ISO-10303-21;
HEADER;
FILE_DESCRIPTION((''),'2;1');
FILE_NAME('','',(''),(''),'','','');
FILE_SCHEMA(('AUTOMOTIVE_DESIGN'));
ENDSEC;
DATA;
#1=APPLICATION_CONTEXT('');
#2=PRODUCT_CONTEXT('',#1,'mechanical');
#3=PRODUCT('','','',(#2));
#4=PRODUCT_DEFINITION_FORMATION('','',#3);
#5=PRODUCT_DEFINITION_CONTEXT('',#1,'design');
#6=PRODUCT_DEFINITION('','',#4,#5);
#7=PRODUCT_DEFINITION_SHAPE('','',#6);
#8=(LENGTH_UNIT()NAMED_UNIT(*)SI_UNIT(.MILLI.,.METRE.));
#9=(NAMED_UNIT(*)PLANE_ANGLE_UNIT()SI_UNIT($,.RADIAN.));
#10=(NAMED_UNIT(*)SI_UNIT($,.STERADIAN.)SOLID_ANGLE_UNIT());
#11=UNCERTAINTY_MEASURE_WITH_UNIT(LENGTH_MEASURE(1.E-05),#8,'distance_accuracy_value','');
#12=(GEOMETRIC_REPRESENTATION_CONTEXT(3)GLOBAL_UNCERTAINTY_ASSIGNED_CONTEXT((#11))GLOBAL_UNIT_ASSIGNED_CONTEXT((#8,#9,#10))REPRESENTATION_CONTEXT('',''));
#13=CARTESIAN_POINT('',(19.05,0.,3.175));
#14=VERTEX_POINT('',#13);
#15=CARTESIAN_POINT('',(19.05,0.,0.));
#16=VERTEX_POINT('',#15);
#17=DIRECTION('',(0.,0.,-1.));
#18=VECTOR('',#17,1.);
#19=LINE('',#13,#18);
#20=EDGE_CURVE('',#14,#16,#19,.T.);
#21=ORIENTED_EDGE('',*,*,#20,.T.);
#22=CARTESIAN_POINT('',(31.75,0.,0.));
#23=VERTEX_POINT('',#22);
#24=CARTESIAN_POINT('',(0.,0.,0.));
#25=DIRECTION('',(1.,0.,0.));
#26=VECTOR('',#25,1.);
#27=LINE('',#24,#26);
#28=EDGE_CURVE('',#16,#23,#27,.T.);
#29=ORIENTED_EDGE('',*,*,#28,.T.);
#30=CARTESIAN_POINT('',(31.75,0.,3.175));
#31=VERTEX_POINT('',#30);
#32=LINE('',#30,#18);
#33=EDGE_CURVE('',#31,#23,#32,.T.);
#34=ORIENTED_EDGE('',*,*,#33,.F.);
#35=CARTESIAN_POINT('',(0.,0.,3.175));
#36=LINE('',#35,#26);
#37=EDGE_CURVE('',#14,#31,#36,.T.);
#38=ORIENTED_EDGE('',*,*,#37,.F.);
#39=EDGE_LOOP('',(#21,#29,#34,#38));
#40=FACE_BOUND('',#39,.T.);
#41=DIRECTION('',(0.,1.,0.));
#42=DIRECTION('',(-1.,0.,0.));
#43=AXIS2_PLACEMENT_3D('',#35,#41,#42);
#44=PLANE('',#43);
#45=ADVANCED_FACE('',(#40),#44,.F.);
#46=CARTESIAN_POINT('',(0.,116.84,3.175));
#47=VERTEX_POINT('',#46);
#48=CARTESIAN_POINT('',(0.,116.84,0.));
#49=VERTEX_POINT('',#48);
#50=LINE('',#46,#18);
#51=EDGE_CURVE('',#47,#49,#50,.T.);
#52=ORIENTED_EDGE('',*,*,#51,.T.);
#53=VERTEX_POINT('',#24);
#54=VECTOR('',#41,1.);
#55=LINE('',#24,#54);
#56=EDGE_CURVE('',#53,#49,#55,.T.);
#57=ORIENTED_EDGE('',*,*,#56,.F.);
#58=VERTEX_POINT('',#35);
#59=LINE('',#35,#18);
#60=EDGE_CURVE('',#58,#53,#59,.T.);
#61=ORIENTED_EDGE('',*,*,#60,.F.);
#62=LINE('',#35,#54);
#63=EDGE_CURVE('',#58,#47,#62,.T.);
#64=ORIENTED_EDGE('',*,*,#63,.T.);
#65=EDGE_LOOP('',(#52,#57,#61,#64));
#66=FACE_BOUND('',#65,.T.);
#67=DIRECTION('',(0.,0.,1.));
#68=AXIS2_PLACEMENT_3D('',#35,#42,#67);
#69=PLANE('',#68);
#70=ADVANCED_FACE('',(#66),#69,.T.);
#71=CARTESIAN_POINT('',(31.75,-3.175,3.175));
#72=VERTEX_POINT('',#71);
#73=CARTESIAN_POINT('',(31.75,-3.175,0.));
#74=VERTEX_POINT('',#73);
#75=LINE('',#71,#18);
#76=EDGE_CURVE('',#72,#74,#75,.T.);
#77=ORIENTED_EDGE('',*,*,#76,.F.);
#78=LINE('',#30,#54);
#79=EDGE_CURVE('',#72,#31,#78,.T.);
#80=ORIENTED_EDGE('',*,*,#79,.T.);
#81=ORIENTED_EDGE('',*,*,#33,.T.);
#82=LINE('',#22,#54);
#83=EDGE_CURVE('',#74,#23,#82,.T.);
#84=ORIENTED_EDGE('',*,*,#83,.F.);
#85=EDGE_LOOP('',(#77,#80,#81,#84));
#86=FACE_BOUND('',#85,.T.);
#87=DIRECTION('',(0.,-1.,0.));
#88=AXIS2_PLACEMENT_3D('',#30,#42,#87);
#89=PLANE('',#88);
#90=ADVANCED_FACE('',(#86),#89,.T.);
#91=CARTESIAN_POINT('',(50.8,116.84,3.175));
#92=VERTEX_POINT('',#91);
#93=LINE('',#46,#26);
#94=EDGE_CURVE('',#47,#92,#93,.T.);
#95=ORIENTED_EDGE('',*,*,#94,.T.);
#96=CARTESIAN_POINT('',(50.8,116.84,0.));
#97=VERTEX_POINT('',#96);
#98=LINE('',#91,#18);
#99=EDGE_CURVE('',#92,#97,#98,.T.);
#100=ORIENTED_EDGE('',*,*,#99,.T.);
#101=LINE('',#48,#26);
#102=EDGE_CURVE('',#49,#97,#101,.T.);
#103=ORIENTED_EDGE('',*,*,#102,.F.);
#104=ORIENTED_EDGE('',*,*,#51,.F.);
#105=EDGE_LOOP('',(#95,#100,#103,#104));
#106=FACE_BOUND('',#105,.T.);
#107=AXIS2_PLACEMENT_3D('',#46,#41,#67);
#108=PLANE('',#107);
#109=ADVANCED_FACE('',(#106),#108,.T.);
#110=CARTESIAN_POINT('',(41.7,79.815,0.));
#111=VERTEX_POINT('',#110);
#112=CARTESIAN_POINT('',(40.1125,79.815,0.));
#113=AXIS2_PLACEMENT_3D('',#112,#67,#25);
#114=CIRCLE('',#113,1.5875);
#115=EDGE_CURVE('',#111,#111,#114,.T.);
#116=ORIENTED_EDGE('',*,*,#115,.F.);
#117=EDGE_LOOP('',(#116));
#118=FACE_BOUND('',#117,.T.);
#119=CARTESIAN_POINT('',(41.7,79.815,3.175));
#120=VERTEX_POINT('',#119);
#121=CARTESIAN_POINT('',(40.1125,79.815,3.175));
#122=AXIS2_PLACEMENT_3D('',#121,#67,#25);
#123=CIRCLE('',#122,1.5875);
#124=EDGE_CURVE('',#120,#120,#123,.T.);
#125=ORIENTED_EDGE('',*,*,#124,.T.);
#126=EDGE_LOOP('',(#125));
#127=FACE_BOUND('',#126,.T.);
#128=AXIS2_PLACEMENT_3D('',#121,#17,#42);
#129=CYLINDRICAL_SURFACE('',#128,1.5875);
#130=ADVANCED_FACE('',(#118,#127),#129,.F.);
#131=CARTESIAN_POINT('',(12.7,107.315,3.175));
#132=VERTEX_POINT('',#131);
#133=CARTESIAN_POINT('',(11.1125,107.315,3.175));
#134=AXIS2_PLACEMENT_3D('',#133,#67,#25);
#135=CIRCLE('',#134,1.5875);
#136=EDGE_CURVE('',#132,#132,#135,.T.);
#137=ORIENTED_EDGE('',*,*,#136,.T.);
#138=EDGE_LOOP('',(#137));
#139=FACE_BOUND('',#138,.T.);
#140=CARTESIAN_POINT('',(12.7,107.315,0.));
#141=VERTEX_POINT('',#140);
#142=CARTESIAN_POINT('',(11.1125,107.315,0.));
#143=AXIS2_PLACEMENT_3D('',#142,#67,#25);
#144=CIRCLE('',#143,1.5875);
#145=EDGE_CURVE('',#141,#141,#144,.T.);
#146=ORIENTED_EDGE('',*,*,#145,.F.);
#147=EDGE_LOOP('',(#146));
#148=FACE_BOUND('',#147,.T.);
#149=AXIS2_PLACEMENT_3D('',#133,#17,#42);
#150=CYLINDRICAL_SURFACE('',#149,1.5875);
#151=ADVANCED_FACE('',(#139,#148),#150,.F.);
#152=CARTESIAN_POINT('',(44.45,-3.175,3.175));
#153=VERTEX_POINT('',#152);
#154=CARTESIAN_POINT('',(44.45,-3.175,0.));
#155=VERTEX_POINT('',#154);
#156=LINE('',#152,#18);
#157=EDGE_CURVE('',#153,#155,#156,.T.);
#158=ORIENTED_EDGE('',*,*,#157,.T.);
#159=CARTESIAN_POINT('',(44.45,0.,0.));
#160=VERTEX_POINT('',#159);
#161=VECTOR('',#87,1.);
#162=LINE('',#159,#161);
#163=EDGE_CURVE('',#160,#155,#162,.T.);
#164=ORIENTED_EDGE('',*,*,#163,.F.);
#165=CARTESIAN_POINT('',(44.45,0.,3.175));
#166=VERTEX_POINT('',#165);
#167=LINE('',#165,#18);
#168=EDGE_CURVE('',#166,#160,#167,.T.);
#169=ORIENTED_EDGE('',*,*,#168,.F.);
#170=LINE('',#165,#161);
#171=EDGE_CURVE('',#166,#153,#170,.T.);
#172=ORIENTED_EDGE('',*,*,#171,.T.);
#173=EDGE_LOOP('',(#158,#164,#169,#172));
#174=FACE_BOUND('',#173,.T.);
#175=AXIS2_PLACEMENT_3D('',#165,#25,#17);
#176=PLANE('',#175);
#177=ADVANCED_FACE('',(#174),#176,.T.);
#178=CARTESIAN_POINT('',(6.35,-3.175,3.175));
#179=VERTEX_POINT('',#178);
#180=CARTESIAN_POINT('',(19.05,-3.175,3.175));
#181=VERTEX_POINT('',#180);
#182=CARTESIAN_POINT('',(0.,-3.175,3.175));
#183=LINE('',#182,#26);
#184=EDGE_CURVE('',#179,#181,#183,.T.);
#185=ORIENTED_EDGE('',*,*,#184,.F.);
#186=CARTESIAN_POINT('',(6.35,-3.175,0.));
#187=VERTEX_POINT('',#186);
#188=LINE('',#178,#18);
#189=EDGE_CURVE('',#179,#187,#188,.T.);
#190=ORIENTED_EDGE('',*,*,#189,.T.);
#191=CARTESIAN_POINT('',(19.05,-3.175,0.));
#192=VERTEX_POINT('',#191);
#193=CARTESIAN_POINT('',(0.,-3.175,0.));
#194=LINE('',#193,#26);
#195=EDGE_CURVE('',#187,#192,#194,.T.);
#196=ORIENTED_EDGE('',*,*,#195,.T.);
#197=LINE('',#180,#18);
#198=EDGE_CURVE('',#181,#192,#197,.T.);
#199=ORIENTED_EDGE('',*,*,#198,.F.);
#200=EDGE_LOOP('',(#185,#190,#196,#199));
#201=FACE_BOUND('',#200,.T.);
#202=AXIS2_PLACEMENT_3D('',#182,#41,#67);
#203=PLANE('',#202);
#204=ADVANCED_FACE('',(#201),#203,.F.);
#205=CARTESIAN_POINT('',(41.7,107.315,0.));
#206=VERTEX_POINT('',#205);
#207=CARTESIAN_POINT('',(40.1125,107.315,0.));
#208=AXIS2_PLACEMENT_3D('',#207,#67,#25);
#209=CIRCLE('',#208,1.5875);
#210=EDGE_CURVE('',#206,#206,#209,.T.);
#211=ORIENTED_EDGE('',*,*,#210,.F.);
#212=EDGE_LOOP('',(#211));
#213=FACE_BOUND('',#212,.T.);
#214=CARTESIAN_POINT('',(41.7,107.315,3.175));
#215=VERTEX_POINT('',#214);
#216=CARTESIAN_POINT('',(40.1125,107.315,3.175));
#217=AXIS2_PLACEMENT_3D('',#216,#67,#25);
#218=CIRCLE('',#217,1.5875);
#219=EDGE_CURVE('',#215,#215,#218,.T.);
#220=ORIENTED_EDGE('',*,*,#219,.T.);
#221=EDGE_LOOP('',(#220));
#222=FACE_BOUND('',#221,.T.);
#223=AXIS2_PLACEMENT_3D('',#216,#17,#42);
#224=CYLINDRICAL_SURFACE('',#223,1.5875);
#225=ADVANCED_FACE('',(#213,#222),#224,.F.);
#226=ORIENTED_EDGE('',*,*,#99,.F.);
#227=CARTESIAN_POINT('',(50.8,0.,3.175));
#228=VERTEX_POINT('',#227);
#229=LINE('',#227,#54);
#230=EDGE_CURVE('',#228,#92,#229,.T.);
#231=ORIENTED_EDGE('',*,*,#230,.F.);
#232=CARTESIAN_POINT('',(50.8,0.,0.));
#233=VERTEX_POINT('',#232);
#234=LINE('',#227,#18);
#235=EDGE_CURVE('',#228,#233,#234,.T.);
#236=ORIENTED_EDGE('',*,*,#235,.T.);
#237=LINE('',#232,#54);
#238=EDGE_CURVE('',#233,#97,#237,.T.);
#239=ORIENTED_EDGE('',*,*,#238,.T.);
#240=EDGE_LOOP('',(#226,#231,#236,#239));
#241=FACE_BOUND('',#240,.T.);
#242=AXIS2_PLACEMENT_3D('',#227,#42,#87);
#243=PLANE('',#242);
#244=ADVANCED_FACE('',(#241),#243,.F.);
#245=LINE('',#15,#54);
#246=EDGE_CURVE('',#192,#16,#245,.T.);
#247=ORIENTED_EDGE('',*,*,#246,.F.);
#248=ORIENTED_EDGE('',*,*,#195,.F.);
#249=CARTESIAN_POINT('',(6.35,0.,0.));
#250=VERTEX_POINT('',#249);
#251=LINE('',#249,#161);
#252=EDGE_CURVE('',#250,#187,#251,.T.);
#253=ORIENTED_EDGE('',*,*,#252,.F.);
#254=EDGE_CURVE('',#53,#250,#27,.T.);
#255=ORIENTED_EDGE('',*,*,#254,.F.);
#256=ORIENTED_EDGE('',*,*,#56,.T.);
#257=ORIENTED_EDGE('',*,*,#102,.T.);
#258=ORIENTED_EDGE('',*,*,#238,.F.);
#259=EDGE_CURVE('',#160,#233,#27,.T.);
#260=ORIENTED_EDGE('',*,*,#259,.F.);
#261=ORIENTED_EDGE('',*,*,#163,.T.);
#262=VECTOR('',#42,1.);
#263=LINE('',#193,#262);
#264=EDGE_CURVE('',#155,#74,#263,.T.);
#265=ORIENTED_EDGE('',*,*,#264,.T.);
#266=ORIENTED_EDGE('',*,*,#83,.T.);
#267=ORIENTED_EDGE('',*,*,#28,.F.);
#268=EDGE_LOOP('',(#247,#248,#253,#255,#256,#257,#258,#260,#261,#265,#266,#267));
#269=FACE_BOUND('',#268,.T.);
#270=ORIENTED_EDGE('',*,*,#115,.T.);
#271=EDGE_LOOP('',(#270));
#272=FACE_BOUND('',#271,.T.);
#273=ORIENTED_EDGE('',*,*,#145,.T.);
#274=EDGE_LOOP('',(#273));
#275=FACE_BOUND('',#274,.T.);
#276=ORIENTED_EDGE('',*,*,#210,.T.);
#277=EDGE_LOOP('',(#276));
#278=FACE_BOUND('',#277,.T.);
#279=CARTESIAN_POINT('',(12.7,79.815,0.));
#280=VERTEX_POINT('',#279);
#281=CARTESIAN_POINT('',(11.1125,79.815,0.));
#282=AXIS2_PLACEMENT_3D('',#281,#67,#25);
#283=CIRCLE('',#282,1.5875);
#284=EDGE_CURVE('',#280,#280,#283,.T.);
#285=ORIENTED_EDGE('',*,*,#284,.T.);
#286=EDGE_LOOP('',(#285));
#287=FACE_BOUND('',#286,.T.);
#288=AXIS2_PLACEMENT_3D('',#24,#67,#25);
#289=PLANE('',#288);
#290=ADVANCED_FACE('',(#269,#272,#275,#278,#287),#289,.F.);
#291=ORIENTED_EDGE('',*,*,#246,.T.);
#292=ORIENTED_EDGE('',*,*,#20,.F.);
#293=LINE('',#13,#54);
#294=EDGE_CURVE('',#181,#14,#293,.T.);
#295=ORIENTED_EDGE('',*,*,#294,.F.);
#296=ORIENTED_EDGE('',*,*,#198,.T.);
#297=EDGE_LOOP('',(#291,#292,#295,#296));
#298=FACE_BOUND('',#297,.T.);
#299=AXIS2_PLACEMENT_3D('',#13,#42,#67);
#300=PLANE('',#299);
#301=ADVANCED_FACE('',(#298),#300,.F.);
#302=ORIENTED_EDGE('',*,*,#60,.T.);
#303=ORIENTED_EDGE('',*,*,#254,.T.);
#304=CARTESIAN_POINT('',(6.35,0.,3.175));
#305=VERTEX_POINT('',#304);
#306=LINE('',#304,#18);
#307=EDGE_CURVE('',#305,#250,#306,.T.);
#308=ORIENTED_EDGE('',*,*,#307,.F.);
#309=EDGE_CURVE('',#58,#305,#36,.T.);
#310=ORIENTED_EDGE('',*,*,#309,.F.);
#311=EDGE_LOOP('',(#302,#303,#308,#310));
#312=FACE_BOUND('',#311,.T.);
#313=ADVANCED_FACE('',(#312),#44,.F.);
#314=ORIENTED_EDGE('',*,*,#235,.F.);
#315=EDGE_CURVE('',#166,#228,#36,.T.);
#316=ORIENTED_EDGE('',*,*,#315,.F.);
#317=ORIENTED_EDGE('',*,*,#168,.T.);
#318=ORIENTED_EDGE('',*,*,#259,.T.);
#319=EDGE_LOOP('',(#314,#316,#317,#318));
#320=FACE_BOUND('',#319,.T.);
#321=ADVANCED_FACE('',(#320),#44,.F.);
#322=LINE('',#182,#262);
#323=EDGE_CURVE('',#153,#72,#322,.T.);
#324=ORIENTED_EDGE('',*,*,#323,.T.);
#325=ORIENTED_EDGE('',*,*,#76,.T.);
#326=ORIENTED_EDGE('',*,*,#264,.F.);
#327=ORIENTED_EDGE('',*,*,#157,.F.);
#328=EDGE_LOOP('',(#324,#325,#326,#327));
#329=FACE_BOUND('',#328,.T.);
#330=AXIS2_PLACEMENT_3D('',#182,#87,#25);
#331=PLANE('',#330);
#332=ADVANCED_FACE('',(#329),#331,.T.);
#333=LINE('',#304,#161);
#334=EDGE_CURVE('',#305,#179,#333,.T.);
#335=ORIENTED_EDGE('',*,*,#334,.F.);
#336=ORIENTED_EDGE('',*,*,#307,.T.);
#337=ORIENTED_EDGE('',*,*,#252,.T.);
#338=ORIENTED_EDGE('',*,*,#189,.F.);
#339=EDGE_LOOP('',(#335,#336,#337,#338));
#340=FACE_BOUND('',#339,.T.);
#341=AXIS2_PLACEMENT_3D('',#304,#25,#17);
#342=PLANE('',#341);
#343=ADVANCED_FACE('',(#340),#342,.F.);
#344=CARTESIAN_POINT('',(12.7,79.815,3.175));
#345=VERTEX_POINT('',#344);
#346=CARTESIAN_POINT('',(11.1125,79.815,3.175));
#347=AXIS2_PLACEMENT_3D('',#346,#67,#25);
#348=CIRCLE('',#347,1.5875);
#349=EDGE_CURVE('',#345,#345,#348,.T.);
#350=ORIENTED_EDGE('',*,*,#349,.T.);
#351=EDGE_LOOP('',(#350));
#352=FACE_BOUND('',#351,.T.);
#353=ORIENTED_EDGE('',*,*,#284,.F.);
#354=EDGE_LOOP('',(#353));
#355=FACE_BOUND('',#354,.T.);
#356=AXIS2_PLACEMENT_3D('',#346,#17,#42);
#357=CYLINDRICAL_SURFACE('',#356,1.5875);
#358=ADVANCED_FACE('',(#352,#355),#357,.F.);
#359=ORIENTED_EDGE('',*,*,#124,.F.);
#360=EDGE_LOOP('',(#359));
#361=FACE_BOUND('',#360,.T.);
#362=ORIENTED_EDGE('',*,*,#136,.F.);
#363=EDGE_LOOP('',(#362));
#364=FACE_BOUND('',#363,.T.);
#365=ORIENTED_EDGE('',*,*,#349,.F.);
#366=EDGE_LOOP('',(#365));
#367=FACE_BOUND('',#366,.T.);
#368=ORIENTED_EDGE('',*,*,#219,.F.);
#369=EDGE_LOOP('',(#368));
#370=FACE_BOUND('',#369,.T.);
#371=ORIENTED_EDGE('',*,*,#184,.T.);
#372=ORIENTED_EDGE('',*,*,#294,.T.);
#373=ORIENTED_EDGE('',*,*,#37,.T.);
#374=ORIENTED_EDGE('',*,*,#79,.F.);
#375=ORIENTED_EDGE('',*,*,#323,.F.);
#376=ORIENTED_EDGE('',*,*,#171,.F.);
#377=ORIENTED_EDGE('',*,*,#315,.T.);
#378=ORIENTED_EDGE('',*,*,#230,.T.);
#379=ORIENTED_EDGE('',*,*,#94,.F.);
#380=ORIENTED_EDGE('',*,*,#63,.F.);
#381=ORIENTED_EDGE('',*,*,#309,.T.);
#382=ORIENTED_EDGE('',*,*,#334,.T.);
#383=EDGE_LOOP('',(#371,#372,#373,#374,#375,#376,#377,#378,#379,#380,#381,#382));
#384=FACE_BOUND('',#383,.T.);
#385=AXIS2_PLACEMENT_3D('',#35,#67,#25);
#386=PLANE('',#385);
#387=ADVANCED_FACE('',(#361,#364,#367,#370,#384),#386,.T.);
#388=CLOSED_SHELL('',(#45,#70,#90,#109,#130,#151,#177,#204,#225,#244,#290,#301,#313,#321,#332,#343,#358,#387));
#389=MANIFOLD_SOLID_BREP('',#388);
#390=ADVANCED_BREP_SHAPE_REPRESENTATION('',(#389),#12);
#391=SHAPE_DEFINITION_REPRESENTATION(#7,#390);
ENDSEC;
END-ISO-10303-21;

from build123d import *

# Parameters (mm, degrees)
SKETCH1_R           = 1.5875
BOSS_EXTRUDE1_DEPTH = 3.175


with BuildPart() as part:
    # Sketch1 → Boss-Extrude1 (new body)
    with BuildSketch(Plane.XY):
        Polygon((50.8, 116.84), (11.1125, 116.84), (0, 116.84), (0, 0), (6.35, 0), (6.35, -3.175), (19.05, -3.175), (19.05, 0), (31.75, 0), (31.75, -3.175), (44.45, -3.175), (44.45, 0), (50.8, 0), align=None)
        with BuildLine():
            ThreePointArc((11.1125, 78.2275), (9.525, 79.815), (11.1125, 81.4025))
            ThreePointArc((11.1125, 81.4025), (12.235032015, 80.937532015), (12.7, 79.815))
            ThreePointArc((12.7, 79.815), (12.235032015, 78.692467985), (11.1125, 78.2275))
        make_face(mode=Mode.SUBTRACT)
        with BuildLine():
            ThreePointArc((11.1125, 105.7275), (9.525, 107.315), (11.1125, 108.9025))
            ThreePointArc((11.1125, 108.9025), (12.235032015, 108.437532015), (12.7, 107.315))
            ThreePointArc((12.7, 107.315), (12.235032015, 106.192467985), (11.1125, 105.7275))
        make_face(mode=Mode.SUBTRACT)
        with Locations((40.1125, 79.815)):
            Circle(SKETCH1_R, mode=Mode.SUBTRACT)
        with Locations((40.1125, 107.315)):
            Circle(SKETCH1_R, mode=Mode.SUBTRACT)
    extrude(amount=BOSS_EXTRUDE1_DEPTH)


solid = part.part
